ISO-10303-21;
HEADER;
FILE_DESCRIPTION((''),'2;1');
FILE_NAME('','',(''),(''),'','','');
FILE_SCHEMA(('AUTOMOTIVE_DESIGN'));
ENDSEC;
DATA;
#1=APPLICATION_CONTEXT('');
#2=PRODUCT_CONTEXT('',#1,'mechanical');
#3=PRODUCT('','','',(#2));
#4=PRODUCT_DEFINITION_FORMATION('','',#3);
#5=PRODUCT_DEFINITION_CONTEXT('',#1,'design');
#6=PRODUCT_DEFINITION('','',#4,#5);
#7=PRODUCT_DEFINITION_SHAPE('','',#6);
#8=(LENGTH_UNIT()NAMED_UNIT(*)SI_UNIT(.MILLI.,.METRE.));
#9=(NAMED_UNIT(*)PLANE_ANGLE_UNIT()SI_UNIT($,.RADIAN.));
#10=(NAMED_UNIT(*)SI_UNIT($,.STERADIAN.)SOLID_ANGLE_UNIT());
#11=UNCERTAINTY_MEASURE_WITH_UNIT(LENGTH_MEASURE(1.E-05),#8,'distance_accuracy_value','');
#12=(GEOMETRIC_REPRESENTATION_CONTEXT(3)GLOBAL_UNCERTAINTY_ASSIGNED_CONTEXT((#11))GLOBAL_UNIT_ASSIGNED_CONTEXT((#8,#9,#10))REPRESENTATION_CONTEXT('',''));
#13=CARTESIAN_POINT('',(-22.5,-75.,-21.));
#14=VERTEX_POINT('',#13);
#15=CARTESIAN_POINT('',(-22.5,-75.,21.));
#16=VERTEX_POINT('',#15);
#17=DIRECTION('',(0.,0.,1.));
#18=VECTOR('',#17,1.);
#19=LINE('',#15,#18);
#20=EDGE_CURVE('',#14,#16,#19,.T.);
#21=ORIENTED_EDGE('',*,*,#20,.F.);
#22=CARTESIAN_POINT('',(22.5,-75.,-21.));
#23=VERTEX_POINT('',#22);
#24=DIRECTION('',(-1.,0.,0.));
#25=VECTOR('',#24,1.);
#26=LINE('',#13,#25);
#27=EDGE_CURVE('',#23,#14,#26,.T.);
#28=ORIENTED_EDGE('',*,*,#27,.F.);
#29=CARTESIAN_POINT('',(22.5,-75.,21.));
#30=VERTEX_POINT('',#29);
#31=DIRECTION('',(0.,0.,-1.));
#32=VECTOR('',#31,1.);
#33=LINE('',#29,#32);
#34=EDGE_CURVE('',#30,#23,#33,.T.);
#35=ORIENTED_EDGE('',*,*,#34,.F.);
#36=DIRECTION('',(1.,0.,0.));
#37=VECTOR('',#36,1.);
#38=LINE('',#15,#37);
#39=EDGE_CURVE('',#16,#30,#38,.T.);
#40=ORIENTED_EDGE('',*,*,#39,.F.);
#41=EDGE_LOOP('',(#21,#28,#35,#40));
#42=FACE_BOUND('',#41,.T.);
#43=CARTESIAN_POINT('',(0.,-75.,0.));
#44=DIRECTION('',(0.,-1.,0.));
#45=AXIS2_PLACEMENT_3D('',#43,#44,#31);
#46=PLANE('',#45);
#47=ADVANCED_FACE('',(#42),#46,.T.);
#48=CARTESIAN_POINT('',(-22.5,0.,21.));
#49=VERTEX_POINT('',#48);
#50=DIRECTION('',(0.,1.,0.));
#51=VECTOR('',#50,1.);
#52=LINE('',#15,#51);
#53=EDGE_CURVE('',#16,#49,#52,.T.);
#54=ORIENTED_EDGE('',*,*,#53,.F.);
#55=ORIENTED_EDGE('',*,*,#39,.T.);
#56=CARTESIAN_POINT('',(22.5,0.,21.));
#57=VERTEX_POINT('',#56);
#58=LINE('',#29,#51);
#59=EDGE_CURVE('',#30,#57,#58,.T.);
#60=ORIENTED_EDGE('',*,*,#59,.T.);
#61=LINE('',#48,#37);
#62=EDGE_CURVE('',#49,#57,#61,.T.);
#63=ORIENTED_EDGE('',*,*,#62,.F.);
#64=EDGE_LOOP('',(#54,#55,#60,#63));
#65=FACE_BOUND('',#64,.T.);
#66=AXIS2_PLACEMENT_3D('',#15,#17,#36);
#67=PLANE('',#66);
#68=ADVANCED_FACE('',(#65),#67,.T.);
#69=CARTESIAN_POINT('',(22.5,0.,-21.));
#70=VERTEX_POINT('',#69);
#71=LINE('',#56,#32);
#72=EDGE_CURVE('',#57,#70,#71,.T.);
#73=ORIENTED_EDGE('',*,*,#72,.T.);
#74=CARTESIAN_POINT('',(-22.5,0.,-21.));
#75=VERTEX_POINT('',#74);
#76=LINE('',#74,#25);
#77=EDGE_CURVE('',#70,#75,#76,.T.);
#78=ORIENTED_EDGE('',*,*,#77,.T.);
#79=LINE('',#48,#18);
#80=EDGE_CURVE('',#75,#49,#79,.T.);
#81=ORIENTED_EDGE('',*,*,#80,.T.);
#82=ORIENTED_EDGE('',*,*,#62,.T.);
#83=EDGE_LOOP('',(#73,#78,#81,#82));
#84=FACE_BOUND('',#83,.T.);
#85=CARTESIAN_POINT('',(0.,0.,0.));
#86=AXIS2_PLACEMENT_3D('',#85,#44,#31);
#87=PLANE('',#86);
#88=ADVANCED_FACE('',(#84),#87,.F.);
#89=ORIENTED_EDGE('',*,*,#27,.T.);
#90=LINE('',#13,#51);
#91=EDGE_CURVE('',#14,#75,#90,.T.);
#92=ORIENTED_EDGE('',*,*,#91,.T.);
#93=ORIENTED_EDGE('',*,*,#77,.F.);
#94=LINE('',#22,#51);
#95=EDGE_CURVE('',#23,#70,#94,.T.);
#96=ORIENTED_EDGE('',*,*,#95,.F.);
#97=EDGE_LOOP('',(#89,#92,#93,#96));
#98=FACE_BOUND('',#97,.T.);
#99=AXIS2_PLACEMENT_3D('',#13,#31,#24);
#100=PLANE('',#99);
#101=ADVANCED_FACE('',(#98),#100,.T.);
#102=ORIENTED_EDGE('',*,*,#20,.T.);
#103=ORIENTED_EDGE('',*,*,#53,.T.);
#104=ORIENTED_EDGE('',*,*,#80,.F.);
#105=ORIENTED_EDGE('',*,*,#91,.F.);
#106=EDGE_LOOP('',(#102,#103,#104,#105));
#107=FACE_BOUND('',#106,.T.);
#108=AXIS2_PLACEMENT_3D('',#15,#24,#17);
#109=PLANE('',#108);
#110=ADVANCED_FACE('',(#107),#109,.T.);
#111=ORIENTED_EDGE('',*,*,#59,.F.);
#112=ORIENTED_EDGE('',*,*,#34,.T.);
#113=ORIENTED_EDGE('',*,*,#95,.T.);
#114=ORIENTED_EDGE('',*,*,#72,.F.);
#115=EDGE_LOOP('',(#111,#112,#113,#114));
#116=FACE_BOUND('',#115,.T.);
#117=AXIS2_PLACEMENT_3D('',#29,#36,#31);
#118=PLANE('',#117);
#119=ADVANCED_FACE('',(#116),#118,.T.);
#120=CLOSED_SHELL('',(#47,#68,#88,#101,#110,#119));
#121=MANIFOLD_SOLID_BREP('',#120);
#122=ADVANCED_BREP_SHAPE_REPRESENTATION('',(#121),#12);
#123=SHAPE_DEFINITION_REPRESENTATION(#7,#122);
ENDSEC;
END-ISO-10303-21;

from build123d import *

# Parameters (mm, degrees)
CROQUIS1_W              = 45
CROQUIS1_H              = 42
SALIENTE_EXTRUIR1_DEPTH = 75


with BuildPart() as part:
    # Croquis1 → Saliente-Extruir1 (new body)
    with BuildSketch(Plane(origin=(0, 0, 0), x_dir=(1, 0, 0), z_dir=(0, 1, 0))):
        Rectangle(CROQUIS1_W, CROQUIS1_H)
    extrude(amount=-SALIENTE_EXTRUIR1_DEPTH)


solid = part.part
